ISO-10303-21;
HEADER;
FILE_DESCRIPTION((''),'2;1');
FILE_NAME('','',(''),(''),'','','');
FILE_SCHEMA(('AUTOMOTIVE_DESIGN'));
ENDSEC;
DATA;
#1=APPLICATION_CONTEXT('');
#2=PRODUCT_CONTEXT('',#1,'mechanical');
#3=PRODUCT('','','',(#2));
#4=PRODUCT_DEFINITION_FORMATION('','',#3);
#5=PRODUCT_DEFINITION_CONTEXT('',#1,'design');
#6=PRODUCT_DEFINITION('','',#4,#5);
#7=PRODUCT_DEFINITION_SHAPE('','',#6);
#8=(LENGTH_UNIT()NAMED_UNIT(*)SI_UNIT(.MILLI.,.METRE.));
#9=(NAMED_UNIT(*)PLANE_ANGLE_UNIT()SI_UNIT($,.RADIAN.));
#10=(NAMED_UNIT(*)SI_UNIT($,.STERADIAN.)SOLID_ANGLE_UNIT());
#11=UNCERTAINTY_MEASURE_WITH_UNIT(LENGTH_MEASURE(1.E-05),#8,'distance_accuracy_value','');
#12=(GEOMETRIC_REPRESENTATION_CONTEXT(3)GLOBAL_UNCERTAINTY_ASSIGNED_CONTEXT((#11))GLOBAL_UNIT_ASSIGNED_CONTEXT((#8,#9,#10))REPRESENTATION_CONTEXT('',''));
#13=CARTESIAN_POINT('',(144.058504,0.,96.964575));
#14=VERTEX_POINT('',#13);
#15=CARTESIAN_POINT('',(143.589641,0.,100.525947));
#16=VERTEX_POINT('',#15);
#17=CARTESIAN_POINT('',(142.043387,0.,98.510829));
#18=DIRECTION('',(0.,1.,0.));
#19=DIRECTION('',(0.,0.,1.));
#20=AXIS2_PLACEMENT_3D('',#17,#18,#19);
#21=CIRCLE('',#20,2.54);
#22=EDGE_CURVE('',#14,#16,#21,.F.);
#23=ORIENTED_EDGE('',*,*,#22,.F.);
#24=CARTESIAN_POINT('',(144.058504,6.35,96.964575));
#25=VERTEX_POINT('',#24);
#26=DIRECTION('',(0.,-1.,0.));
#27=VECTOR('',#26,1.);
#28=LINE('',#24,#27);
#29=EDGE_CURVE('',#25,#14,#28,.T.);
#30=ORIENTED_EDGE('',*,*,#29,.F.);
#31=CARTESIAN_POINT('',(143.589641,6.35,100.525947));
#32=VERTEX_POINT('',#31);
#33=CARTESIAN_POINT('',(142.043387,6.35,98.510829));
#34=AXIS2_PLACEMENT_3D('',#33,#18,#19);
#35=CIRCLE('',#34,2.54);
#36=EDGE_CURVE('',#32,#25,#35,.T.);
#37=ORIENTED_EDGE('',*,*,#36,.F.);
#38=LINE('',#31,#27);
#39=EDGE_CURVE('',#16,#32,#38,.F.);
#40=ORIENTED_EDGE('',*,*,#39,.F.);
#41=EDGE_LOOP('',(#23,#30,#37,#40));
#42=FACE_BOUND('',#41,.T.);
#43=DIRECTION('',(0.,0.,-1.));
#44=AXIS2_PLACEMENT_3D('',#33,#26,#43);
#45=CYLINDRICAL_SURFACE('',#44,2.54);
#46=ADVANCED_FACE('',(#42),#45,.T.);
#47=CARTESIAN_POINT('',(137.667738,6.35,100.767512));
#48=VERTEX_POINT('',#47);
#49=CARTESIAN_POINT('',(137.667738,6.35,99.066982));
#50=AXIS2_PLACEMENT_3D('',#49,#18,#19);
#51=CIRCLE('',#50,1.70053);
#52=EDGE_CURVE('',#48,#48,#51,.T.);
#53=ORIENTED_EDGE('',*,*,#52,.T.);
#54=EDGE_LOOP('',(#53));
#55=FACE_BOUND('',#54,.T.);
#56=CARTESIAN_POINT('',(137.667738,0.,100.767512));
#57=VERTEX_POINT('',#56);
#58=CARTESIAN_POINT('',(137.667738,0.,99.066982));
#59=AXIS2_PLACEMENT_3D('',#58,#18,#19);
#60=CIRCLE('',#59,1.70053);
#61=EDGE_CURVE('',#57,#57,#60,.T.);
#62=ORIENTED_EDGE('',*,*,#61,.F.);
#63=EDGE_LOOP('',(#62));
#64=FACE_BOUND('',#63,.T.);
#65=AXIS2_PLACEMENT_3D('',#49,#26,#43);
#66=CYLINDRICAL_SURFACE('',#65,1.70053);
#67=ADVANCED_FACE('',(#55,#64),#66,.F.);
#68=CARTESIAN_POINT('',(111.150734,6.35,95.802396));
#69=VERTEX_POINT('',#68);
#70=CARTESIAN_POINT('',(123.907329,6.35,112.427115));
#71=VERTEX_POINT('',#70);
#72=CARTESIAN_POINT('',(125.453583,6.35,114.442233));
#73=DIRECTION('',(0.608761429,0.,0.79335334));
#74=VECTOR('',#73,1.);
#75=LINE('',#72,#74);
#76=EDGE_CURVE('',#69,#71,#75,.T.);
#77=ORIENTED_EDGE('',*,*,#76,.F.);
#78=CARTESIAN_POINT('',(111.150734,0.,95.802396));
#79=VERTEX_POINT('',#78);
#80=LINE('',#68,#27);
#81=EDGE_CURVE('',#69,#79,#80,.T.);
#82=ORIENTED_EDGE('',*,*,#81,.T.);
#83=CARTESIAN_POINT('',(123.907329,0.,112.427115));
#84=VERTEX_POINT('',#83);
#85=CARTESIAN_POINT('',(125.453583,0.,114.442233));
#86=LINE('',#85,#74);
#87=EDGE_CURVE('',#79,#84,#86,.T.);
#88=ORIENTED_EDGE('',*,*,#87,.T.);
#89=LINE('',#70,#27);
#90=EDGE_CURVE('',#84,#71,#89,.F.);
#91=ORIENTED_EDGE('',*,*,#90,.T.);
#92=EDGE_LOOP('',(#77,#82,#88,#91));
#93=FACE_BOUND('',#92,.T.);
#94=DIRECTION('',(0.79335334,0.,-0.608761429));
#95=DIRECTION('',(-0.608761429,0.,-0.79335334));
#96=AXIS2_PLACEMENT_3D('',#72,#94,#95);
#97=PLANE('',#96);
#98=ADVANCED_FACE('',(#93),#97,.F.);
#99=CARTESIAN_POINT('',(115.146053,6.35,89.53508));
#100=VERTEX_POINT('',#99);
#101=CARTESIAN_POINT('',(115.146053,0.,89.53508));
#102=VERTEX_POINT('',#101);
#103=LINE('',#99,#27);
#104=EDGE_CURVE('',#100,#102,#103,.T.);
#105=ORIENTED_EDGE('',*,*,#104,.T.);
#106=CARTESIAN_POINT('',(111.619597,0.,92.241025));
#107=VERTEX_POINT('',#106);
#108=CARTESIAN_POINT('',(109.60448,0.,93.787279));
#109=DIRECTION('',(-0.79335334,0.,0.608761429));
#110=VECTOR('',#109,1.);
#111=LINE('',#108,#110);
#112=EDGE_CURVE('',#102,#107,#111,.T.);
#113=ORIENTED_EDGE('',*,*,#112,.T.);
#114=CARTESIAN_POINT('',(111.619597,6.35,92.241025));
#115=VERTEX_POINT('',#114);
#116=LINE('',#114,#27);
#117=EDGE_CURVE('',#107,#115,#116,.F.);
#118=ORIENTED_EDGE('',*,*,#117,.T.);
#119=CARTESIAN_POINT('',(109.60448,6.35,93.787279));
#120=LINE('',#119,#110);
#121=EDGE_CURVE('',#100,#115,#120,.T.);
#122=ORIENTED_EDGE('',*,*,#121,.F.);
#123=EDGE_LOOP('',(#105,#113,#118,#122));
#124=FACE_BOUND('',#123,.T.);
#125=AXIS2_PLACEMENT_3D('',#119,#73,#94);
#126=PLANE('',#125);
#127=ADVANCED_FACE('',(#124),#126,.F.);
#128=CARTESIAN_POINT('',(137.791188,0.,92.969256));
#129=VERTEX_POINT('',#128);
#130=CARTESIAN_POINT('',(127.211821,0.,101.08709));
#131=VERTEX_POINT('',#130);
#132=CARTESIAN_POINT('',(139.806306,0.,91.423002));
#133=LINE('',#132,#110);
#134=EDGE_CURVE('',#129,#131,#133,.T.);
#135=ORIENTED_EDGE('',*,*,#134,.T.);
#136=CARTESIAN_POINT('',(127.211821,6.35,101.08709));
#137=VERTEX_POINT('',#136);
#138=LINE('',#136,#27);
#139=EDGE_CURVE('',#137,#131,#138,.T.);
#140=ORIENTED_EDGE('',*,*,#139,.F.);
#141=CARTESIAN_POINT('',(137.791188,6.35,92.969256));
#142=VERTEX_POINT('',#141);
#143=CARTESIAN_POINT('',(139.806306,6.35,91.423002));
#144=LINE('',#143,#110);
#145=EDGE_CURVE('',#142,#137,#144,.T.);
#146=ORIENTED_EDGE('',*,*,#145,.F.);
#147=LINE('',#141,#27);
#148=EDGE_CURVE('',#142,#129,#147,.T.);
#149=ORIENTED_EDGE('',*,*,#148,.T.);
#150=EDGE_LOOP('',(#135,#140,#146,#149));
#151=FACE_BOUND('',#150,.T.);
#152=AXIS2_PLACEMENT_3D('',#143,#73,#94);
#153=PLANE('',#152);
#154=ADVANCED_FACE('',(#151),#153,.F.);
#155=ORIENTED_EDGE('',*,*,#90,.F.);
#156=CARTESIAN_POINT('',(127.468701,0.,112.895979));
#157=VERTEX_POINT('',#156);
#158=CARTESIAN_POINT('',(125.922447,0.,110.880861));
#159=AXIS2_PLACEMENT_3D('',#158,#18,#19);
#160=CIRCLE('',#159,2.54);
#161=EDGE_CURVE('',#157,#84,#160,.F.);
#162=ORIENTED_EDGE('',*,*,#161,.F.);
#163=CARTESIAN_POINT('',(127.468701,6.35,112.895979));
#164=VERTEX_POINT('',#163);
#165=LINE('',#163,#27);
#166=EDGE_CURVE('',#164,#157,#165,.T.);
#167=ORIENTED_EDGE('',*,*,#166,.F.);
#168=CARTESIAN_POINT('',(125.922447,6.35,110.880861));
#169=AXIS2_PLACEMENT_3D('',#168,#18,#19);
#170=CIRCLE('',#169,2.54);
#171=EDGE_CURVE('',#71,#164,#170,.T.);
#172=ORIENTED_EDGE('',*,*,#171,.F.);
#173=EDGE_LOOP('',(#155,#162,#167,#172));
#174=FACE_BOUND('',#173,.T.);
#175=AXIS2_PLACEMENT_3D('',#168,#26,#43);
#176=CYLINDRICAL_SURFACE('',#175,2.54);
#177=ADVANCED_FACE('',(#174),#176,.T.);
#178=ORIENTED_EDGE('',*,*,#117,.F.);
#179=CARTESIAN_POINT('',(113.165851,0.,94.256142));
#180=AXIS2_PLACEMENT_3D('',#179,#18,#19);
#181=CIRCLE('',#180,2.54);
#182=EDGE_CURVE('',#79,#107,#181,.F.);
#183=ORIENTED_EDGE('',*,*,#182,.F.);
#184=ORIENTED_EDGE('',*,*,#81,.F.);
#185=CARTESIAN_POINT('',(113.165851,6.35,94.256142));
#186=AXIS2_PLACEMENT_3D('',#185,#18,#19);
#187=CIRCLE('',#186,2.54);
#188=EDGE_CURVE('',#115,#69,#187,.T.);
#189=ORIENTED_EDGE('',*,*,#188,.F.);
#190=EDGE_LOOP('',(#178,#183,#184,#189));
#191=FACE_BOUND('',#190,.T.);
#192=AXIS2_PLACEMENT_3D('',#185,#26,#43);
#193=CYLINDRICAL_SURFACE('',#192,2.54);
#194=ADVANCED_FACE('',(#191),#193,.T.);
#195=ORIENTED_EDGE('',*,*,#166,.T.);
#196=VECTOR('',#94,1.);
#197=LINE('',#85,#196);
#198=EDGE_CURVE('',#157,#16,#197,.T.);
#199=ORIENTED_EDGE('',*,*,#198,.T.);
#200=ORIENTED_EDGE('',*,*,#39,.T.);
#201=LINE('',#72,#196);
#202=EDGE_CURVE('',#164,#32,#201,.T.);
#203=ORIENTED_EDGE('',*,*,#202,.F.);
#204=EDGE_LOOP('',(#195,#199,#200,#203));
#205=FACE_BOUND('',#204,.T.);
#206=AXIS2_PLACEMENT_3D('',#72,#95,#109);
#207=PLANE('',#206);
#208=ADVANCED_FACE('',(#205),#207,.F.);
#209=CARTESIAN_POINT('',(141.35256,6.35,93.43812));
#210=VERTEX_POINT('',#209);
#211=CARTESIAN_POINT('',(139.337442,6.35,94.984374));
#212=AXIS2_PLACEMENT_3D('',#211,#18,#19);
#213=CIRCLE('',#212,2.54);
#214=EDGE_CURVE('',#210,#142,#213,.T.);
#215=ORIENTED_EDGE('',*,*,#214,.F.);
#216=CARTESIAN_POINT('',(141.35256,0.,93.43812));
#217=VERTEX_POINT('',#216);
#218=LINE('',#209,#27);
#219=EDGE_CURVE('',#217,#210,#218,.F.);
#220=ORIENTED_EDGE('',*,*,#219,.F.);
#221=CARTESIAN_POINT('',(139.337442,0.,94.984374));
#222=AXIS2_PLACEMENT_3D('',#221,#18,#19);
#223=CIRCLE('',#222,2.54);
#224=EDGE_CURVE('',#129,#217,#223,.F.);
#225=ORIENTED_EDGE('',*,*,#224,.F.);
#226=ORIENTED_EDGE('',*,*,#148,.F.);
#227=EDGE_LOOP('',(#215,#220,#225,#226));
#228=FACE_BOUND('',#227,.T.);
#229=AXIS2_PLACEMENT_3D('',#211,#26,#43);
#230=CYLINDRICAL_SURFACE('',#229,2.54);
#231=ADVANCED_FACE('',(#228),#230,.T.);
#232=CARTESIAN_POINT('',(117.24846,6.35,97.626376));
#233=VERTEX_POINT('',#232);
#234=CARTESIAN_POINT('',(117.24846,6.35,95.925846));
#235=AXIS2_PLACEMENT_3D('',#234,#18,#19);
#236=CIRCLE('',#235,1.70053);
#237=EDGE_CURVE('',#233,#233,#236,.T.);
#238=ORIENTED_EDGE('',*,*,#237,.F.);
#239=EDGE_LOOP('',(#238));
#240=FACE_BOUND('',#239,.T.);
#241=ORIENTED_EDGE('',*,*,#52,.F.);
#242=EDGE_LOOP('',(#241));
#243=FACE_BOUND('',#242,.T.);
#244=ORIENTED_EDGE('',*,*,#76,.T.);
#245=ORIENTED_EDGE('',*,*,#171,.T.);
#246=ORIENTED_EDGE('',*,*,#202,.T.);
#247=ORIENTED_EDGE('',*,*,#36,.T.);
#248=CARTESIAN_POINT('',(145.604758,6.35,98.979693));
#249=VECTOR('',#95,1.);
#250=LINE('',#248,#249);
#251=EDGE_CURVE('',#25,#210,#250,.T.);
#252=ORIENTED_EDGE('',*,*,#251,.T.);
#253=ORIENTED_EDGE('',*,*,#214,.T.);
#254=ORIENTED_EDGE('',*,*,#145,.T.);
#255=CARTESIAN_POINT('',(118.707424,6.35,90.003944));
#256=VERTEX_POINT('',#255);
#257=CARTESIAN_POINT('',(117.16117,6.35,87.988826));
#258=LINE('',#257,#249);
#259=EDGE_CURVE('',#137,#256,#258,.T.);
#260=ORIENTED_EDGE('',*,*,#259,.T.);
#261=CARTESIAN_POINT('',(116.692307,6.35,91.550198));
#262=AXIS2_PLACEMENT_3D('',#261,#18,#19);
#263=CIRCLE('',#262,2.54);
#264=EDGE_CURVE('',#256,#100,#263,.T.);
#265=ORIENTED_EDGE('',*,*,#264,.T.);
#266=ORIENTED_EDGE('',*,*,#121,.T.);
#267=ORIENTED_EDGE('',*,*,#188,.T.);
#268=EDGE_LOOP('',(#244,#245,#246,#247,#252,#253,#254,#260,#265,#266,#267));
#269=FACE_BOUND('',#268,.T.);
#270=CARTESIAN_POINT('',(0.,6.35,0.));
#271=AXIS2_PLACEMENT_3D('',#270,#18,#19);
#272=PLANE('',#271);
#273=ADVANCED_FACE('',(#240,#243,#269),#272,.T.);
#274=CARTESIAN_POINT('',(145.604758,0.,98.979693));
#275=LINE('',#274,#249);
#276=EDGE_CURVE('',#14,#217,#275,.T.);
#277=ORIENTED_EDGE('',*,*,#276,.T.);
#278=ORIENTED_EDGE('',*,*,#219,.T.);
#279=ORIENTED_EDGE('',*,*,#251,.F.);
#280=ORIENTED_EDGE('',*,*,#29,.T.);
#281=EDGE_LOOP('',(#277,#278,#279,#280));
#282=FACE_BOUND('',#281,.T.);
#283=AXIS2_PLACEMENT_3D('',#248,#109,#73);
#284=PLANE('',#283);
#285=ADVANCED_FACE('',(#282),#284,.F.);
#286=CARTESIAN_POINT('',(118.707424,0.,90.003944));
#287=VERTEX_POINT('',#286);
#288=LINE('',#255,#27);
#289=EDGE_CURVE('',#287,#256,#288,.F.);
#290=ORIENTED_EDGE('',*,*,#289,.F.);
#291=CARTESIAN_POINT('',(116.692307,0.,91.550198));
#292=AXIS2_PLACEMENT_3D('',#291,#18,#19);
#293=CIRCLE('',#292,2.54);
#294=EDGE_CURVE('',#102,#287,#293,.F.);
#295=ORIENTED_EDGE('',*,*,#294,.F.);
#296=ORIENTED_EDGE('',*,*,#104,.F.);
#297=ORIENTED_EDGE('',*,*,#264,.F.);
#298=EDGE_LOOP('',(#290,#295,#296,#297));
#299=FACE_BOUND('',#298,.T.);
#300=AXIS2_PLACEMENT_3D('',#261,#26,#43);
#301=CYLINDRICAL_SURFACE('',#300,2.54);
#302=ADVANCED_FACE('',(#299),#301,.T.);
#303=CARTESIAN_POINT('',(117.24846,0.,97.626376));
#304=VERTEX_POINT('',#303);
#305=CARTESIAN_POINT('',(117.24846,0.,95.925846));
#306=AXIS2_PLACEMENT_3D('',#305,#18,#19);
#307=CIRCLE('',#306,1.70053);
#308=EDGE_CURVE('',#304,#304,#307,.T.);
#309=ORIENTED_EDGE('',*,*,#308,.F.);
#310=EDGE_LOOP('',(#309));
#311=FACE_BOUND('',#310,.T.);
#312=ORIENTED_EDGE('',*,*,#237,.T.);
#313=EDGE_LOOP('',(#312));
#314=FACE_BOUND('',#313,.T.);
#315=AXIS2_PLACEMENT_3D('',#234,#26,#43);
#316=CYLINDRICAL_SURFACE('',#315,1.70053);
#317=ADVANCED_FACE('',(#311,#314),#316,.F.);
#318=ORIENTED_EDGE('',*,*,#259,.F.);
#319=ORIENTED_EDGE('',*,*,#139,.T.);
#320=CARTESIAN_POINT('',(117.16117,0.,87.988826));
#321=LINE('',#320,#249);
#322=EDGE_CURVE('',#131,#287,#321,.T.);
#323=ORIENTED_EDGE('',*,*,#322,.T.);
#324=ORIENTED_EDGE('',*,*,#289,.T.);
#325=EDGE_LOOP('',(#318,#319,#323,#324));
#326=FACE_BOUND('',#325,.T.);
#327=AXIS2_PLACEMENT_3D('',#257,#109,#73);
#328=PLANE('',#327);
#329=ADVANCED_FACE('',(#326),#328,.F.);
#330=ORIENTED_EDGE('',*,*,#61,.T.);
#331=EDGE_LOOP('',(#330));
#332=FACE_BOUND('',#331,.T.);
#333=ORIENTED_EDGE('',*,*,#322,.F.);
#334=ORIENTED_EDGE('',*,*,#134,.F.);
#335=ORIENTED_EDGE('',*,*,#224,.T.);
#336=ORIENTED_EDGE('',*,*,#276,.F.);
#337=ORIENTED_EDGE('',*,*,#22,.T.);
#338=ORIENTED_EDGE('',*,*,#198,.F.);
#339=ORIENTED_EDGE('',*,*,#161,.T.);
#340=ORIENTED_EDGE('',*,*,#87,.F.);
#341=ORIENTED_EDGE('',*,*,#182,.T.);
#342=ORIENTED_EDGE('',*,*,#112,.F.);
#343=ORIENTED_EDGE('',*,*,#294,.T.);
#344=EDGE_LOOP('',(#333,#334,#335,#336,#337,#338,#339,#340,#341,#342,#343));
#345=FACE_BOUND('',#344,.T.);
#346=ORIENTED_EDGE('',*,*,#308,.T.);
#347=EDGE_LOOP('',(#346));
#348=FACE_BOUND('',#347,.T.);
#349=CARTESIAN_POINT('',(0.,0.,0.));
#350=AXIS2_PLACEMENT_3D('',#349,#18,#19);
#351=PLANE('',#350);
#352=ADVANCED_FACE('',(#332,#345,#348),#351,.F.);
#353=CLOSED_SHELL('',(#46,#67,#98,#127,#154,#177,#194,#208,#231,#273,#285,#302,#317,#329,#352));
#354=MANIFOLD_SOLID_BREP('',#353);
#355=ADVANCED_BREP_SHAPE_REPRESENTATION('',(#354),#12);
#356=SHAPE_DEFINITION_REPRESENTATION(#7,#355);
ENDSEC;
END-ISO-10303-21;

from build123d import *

# Parameters (mm, degrees)
SKETCH1_R           = 1.70053
BOSS_EXTRUDE1_DEPTH = 6.35
FILLET1_R           = 2.54


with BuildPart() as part:
    # Sketch1 → Boss-Extrude1 (new body)
    with BuildSketch(Plane(origin=(0, 0, 0), x_dir=(1, 0, 0), z_dir=(0, 1, 0))):
        Polygon((125.453583476, -114.442232973), (145.604758319, -98.979692676), (139.806305708, -91.42300211), (127.211821431, -101.087089795), (117.161170238, -87.988826147), (109.604479672, -93.787278758), align=None)
        with Locations(Location((117.248460029, -95.925846163, 0), (0, 0, 270))):
            Circle(SKETCH1_R, mode=Mode.SUBTRACT)
        with Locations(Location((137.667738303, -99.066982467, 0), (0, 0, 270))):
            Circle(SKETCH1_R, mode=Mode.SUBTRACT)
    extrude(amount=BOSS_EXTRUDE1_DEPTH)

    # Fillet1
    fillet1_edges = [part.edges().sort_by_distance(p)[0] for p in [
        (139.806305708, 3.175, 91.42300211),
        (145.604758319, 3.175, 98.979692676),
        (125.453583476, 3.175, 114.442232973),
        (109.604479672, 3.175, 93.787278758),
        (117.161170238, 3.175, 87.988826147),
    ]]
    fillet(fillet1_edges, radius=FILLET1_R)


solid = part.part
